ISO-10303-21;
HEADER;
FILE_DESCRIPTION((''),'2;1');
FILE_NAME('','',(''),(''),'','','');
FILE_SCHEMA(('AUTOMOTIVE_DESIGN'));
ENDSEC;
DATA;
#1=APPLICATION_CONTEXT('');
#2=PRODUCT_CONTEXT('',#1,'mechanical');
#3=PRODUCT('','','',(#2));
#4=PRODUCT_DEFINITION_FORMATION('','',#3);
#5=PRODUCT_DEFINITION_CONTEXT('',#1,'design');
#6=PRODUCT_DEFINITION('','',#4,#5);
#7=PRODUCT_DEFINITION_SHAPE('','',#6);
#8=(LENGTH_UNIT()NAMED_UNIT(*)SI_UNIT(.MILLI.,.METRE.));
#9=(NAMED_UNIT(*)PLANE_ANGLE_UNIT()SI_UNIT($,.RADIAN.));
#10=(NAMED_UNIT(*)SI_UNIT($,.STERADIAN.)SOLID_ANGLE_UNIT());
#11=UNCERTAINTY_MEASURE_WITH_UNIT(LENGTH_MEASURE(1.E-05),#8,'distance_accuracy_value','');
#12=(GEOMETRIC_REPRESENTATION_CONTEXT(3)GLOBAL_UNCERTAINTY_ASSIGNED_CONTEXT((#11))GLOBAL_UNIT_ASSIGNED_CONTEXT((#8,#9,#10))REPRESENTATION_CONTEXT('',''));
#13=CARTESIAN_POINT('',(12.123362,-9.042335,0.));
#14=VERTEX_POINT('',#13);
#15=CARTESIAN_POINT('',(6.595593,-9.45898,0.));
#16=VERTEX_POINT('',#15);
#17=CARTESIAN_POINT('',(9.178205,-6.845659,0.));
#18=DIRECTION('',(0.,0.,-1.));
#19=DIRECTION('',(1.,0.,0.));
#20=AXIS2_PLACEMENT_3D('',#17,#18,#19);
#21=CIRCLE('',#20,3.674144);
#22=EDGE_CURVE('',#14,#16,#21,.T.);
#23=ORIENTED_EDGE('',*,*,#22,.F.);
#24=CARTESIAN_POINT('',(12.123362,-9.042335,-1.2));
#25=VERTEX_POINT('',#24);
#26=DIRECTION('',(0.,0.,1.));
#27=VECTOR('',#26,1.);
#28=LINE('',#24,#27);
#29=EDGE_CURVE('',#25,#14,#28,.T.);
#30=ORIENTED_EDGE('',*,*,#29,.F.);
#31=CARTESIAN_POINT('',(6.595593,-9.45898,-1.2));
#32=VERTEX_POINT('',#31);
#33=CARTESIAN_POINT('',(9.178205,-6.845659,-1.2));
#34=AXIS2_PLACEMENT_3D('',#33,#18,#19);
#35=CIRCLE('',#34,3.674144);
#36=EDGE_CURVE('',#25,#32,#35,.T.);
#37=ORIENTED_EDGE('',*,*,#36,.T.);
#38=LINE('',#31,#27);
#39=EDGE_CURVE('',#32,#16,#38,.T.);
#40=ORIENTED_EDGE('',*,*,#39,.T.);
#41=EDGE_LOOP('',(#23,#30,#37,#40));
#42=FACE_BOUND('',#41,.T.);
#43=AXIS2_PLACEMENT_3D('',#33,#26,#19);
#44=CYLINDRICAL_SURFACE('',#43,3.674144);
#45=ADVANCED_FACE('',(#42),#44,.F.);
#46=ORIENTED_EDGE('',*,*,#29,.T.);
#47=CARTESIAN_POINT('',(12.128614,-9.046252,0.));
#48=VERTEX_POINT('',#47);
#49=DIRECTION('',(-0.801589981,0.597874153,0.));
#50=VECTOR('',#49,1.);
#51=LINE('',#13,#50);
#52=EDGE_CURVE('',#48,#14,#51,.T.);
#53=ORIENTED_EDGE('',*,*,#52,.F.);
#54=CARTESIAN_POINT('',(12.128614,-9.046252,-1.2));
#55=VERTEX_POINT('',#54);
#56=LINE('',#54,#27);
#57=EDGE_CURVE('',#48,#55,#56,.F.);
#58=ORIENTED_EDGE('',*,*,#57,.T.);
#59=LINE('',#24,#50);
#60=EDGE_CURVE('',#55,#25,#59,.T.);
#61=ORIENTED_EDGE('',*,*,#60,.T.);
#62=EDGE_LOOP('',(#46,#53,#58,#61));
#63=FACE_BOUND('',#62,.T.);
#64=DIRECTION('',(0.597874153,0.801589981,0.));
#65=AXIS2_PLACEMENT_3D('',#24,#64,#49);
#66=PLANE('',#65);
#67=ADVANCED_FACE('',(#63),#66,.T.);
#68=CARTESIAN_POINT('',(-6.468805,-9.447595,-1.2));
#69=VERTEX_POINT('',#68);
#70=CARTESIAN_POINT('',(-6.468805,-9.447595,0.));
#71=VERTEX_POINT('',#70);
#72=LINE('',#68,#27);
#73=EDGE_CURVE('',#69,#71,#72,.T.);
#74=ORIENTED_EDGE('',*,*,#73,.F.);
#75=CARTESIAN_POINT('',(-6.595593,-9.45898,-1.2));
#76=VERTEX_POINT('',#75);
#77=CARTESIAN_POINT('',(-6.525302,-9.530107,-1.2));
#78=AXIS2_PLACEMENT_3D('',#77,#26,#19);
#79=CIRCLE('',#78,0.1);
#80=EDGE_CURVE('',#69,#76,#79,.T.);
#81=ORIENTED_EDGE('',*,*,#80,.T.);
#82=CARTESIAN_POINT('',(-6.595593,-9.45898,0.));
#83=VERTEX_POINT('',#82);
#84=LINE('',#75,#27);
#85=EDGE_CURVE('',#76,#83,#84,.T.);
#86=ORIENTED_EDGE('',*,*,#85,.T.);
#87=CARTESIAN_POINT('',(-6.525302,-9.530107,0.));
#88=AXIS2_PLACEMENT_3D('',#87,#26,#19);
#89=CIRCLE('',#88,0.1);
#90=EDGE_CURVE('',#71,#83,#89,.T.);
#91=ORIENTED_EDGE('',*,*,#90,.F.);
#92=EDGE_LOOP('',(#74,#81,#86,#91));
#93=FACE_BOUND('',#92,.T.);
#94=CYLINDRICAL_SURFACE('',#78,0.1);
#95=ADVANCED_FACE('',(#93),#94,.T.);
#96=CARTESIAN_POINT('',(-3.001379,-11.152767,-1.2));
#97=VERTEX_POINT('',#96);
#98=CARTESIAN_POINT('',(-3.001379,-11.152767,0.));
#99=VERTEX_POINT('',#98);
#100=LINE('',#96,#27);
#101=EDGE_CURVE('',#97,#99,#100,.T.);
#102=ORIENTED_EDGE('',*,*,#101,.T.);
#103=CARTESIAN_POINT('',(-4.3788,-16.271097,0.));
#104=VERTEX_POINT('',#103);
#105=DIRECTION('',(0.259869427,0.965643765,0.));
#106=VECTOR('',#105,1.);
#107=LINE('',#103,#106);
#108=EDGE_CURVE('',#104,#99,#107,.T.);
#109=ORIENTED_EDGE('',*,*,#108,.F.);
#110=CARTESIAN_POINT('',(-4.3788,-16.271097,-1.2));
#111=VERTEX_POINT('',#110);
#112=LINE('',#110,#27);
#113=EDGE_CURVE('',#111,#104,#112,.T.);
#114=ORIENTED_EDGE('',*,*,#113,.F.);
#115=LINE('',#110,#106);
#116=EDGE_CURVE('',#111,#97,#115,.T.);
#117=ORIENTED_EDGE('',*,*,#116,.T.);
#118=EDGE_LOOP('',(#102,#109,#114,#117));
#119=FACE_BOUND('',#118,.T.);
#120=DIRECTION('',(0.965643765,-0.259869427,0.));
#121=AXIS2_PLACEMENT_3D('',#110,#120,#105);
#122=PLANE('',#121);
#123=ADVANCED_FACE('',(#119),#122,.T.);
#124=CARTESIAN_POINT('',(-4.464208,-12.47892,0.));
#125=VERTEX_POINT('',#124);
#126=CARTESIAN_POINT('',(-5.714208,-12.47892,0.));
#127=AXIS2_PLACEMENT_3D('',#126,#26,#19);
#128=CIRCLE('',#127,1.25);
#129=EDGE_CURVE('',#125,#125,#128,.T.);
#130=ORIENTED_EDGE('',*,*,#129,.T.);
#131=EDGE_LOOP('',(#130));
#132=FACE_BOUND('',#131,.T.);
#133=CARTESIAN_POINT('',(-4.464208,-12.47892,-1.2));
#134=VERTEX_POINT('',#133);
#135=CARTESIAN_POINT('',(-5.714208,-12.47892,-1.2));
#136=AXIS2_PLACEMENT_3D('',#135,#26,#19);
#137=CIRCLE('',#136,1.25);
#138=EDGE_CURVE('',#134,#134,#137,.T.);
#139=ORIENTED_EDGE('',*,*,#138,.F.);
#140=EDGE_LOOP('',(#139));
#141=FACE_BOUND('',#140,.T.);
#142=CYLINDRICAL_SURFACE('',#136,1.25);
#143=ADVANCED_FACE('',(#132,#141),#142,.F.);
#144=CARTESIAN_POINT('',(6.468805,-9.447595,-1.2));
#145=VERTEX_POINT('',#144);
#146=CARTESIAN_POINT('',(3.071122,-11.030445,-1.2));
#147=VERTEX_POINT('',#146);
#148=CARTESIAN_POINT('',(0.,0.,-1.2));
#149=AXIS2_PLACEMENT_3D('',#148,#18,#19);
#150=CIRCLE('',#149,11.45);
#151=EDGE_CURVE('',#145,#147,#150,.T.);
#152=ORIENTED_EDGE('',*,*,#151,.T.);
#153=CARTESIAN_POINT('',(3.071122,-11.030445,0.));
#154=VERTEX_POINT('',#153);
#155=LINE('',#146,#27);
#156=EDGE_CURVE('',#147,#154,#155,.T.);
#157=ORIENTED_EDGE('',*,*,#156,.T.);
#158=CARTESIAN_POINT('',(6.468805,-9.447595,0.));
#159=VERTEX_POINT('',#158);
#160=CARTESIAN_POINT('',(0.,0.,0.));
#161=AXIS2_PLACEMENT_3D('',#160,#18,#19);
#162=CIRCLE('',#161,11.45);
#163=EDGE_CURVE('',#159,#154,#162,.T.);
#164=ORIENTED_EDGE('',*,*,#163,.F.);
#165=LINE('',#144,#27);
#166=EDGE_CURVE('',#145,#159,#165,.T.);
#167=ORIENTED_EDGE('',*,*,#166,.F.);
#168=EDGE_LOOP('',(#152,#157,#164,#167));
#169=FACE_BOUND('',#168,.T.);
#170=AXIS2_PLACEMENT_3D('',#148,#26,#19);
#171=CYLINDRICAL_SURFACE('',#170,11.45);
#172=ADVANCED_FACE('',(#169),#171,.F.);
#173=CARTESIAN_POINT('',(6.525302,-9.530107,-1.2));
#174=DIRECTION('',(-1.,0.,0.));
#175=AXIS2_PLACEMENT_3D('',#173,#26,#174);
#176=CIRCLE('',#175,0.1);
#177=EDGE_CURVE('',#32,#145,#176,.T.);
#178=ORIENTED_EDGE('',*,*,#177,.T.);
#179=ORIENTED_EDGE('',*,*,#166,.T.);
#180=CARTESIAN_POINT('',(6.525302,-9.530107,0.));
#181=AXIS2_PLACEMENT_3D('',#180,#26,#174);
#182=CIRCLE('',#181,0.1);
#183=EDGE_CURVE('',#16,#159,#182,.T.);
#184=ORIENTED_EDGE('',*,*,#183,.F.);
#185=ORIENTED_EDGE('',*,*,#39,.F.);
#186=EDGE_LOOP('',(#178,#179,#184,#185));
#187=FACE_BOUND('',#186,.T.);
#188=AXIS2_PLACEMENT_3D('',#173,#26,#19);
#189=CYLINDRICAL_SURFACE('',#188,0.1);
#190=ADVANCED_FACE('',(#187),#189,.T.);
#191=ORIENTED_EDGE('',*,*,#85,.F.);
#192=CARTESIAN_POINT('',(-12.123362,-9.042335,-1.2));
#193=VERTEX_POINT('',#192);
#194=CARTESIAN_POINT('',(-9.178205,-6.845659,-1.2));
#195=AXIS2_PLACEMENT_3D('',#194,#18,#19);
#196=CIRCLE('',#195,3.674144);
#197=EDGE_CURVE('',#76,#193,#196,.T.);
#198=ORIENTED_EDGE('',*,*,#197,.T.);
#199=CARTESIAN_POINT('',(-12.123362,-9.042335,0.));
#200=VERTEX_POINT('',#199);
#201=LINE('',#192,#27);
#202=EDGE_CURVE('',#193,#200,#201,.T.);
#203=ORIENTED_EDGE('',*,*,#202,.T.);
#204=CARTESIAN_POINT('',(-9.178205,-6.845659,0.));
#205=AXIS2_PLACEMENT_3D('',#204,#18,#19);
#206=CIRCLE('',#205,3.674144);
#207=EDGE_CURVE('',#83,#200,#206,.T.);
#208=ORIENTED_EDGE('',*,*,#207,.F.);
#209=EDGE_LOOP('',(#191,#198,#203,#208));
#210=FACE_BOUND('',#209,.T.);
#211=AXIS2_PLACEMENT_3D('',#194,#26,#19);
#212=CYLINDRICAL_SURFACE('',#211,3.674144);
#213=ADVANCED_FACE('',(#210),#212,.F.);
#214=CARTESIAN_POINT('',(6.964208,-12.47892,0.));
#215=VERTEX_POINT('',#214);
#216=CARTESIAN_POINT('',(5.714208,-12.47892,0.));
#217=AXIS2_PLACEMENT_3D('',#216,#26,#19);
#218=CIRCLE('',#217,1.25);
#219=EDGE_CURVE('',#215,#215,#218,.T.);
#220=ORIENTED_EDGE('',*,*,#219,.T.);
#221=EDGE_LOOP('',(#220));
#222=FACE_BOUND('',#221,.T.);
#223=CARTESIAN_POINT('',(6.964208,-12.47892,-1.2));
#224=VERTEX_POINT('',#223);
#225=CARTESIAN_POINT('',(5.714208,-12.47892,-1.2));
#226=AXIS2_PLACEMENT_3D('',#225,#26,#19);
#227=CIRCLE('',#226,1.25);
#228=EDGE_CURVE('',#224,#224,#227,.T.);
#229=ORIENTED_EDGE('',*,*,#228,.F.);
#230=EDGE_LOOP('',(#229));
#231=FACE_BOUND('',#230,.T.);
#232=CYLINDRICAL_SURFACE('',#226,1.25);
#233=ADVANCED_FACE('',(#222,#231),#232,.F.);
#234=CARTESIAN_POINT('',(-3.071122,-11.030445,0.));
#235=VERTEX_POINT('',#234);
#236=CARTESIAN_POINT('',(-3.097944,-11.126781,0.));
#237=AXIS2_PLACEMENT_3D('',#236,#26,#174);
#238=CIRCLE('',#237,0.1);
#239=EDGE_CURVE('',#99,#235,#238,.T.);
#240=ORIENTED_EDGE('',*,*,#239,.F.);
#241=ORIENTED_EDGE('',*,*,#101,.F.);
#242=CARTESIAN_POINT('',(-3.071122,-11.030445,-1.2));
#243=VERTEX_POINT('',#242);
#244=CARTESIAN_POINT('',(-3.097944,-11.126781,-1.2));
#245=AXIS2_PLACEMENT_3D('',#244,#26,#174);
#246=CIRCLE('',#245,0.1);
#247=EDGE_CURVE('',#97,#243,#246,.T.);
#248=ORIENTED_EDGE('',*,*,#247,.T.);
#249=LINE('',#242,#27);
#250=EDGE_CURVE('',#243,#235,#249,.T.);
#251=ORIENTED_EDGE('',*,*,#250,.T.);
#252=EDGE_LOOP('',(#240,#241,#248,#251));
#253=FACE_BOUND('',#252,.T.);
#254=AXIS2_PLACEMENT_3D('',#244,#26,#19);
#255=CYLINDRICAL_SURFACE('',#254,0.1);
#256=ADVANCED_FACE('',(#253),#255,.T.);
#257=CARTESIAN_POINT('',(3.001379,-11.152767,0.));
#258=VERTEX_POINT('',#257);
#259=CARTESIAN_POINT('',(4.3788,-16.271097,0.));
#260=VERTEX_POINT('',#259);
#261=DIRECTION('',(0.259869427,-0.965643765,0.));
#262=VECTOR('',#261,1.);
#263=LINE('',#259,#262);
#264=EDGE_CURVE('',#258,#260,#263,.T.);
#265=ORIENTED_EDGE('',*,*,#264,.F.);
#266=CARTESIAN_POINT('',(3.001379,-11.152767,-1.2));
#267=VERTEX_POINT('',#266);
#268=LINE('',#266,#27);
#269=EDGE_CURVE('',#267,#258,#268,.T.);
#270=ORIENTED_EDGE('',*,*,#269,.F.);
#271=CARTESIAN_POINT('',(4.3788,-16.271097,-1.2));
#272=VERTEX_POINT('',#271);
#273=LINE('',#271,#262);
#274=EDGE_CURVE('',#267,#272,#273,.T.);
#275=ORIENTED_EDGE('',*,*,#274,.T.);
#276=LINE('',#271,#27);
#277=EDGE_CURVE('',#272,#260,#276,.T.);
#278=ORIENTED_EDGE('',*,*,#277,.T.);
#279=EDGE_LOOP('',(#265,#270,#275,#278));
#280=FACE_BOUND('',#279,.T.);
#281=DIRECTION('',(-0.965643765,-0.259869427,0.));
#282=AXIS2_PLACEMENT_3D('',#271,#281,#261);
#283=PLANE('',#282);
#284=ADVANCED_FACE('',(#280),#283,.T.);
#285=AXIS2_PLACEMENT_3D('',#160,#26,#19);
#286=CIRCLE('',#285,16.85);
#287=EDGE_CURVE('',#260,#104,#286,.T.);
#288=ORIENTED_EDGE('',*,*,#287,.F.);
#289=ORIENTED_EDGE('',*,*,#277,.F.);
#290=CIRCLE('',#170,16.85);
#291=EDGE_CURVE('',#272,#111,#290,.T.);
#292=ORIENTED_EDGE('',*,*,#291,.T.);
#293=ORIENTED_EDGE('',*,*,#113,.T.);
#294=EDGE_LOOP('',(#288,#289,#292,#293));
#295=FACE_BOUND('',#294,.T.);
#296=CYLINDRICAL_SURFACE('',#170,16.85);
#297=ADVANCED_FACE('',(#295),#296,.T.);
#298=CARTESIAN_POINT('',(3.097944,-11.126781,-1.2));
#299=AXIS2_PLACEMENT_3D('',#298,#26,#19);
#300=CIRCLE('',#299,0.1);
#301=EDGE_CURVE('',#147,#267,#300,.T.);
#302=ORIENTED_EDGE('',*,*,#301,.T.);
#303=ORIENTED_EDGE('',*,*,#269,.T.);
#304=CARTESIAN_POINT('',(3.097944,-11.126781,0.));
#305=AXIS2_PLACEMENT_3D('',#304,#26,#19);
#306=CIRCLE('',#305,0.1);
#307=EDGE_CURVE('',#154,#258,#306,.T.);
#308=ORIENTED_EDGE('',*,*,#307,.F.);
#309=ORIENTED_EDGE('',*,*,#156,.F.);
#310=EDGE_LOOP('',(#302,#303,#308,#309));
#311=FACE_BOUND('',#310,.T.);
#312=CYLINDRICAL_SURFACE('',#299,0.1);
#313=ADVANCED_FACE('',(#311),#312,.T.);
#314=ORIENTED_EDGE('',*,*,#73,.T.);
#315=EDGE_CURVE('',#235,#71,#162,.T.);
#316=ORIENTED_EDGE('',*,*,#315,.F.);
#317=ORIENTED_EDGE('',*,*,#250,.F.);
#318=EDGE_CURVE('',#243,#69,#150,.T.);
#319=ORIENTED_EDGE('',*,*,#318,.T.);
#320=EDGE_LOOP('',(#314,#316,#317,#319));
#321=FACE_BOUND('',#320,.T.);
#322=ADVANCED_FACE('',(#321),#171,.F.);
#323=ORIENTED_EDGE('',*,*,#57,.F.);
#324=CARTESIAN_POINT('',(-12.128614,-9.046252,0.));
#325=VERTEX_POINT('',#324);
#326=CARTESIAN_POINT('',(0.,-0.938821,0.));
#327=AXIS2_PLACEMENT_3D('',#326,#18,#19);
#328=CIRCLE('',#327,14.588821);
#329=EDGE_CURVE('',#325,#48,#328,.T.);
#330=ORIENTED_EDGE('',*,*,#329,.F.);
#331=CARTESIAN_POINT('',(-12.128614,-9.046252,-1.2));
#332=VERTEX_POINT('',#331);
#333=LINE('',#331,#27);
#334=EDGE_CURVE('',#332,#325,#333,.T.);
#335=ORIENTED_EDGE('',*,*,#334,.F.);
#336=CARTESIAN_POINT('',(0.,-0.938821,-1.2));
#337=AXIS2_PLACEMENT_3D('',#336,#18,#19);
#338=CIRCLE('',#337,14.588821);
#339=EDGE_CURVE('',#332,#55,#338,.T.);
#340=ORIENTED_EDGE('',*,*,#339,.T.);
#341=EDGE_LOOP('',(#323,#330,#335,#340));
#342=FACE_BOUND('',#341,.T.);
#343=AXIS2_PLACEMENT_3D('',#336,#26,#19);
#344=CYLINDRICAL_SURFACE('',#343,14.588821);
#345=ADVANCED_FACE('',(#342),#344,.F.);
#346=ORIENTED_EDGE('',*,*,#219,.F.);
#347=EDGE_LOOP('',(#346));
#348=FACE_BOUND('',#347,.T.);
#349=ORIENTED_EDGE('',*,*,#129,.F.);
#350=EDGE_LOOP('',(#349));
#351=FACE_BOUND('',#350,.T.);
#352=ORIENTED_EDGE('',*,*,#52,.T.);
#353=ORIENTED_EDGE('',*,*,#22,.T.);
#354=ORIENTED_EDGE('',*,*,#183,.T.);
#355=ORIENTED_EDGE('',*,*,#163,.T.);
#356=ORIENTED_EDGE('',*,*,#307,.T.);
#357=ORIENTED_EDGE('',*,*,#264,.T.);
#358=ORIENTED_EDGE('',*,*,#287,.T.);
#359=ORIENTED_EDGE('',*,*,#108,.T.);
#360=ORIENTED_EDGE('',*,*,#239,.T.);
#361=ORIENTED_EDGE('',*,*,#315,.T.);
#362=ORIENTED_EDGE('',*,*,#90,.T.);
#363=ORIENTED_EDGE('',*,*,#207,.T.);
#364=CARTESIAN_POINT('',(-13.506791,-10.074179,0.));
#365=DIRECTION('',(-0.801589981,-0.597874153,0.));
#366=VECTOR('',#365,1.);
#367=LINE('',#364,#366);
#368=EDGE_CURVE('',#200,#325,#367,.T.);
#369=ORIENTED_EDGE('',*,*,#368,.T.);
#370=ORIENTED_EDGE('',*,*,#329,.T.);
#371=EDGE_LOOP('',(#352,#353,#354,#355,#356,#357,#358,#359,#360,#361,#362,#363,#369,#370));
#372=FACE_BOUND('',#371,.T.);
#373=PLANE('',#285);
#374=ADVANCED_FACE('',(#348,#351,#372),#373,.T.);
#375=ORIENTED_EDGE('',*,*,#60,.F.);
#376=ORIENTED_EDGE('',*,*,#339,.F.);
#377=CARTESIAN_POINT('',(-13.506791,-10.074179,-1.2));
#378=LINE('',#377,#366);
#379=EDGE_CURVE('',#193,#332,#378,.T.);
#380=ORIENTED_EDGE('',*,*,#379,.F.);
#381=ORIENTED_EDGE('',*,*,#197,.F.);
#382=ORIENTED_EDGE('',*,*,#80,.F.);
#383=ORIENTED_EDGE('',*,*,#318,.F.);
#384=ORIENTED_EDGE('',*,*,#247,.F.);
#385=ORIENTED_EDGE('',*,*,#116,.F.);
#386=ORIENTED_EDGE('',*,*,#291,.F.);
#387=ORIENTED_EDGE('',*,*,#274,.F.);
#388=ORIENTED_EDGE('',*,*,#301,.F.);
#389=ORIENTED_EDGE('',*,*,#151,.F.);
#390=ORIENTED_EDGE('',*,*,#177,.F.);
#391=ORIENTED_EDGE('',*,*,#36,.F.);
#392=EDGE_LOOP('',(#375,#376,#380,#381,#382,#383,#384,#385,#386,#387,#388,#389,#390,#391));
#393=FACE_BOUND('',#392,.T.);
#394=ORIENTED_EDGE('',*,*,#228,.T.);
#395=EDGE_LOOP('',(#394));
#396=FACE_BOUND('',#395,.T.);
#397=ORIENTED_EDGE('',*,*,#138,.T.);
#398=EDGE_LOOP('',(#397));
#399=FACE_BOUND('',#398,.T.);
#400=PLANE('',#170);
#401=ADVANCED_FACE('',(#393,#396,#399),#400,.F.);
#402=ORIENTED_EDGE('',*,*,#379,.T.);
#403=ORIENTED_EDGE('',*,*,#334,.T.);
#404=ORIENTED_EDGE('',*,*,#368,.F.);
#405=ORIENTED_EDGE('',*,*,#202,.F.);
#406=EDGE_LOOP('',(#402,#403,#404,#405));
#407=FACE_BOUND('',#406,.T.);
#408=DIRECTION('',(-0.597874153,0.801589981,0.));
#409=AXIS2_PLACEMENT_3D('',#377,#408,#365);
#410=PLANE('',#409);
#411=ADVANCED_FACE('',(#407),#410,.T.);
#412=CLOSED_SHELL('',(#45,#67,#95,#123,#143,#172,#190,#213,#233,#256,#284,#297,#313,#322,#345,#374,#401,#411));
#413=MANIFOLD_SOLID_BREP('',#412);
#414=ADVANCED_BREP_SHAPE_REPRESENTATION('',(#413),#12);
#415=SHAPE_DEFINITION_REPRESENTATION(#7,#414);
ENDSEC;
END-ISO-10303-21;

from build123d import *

# Parameters (mm, degrees)
BODYSKE_R    = 1.25
BODY_DEPTH   = 1.2
MODLUGSKE_R  = 1.25
MODLUG_DEPTH = 1.2


with BuildPart() as part:
    # BodySke → Body (new body)
    with BuildSketch(Plane.XY):
        with BuildLine():
            Line((4.378799842, -16.271097441), (3.517368932, -13.070123021))
            ThreePointArc((3.517368932, -13.070123021), (4.598593065, -10.496238254), (7.359812721, -10.908056702))
            ThreePointArc((7.359812721, -10.908056702), (9.01864957, -11.612154844), (10.669183486, -10.888807293))
            ThreePointArc((10.669183486, -10.888807293), (0, 13.65), (-10.669183486, -10.888807293))
            ThreePointArc((-10.669183486, -10.888807293), (-9.01864957, -11.612154844), (-7.359812721, -10.908056702))
            ThreePointArc((-7.359812721, -10.908056702), (-4.598593065, -10.496238254), (-3.517368932, -13.070123021))
            Line((-3.517368932, -13.070123021), (-4.378799842, -16.271097441))
            ThreePointArc((-4.378799842, -16.271097441), (0, 16.85), (4.378799842, -16.271097441))
        make_face()
        with Locations((5.714208497, -12.478920075)):
            Circle(BODYSKE_R, mode=Mode.SUBTRACT)
        with Locations((-5.714208497, -12.478920075)):
            Circle(BODYSKE_R, mode=Mode.SUBTRACT)
    extrude(amount=-BODY_DEPTH)

    # ModLugSke → ModLug (add, through all)
    # profile 1 of 2: a face of its own
    with BuildSketch(Plane.XY):
        with BuildLine():
            Line((4.378799842, -16.271097441), (3.00137938, -11.152767451))
            ThreePointArc((3.00137938, -11.152767451), (3.011071656, -11.077250335), (3.071121733, -11.030444746))
            ThreePointArc((3.071121733, -11.030444746), (4.835173781, -10.37899776), (6.468805393, -9.447595291))
            ThreePointArc((6.468805393, -9.447595291), (6.534244643, -9.430507742), (6.595593054, -9.458979698))
            ThreePointArc((6.595593054, -9.458979698), (9.454353639, -10.509410242), (12.123361918, -9.042334507))
            Line((12.123361918, -9.042334507), (13.506791172, -10.074179482))
            ThreePointArc((13.506791172, -10.074179482), (9.464356266, -13.940891667), (4.378799842, -16.271097441))
        make_face()
        with Locations((5.714208497, -12.478920075)):
            Circle(MODLUGSKE_R, mode=Mode.SUBTRACT)
    # profile 2 of 2: a face of its own
    with BuildSketch(Plane.XY):
        with BuildLine():
            Line((-4.378799842, -16.271097441), (-3.00137938, -11.152767451))
            ThreePointArc((-3.00137938, -11.152767451), (-3.011071656, -11.077250335), (-3.071121733, -11.030444746))
            ThreePointArc((-3.071121733, -11.030444746), (-4.835173781, -10.37899776), (-6.468805393, -9.447595291))
            ThreePointArc((-6.468805393, -9.447595291), (-6.534244643, -9.430507742), (-6.595593054, -9.458979698))
            ThreePointArc((-6.595593054, -9.458979698), (-9.454353639, -10.509410242), (-12.123361918, -9.042334507))
            Line((-12.123361918, -9.042334507), (-13.506791172, -10.074179482))
            ThreePointArc((-13.506791172, -10.074179482), (-9.464356266, -13.940891667), (-4.378799842, -16.271097441))
        make_face()
        with Locations((-5.714208497, -12.478920075)):
            Circle(MODLUGSKE_R, mode=Mode.SUBTRACT)
    extrude(amount=-MODLUG_DEPTH)


solid = part.part
